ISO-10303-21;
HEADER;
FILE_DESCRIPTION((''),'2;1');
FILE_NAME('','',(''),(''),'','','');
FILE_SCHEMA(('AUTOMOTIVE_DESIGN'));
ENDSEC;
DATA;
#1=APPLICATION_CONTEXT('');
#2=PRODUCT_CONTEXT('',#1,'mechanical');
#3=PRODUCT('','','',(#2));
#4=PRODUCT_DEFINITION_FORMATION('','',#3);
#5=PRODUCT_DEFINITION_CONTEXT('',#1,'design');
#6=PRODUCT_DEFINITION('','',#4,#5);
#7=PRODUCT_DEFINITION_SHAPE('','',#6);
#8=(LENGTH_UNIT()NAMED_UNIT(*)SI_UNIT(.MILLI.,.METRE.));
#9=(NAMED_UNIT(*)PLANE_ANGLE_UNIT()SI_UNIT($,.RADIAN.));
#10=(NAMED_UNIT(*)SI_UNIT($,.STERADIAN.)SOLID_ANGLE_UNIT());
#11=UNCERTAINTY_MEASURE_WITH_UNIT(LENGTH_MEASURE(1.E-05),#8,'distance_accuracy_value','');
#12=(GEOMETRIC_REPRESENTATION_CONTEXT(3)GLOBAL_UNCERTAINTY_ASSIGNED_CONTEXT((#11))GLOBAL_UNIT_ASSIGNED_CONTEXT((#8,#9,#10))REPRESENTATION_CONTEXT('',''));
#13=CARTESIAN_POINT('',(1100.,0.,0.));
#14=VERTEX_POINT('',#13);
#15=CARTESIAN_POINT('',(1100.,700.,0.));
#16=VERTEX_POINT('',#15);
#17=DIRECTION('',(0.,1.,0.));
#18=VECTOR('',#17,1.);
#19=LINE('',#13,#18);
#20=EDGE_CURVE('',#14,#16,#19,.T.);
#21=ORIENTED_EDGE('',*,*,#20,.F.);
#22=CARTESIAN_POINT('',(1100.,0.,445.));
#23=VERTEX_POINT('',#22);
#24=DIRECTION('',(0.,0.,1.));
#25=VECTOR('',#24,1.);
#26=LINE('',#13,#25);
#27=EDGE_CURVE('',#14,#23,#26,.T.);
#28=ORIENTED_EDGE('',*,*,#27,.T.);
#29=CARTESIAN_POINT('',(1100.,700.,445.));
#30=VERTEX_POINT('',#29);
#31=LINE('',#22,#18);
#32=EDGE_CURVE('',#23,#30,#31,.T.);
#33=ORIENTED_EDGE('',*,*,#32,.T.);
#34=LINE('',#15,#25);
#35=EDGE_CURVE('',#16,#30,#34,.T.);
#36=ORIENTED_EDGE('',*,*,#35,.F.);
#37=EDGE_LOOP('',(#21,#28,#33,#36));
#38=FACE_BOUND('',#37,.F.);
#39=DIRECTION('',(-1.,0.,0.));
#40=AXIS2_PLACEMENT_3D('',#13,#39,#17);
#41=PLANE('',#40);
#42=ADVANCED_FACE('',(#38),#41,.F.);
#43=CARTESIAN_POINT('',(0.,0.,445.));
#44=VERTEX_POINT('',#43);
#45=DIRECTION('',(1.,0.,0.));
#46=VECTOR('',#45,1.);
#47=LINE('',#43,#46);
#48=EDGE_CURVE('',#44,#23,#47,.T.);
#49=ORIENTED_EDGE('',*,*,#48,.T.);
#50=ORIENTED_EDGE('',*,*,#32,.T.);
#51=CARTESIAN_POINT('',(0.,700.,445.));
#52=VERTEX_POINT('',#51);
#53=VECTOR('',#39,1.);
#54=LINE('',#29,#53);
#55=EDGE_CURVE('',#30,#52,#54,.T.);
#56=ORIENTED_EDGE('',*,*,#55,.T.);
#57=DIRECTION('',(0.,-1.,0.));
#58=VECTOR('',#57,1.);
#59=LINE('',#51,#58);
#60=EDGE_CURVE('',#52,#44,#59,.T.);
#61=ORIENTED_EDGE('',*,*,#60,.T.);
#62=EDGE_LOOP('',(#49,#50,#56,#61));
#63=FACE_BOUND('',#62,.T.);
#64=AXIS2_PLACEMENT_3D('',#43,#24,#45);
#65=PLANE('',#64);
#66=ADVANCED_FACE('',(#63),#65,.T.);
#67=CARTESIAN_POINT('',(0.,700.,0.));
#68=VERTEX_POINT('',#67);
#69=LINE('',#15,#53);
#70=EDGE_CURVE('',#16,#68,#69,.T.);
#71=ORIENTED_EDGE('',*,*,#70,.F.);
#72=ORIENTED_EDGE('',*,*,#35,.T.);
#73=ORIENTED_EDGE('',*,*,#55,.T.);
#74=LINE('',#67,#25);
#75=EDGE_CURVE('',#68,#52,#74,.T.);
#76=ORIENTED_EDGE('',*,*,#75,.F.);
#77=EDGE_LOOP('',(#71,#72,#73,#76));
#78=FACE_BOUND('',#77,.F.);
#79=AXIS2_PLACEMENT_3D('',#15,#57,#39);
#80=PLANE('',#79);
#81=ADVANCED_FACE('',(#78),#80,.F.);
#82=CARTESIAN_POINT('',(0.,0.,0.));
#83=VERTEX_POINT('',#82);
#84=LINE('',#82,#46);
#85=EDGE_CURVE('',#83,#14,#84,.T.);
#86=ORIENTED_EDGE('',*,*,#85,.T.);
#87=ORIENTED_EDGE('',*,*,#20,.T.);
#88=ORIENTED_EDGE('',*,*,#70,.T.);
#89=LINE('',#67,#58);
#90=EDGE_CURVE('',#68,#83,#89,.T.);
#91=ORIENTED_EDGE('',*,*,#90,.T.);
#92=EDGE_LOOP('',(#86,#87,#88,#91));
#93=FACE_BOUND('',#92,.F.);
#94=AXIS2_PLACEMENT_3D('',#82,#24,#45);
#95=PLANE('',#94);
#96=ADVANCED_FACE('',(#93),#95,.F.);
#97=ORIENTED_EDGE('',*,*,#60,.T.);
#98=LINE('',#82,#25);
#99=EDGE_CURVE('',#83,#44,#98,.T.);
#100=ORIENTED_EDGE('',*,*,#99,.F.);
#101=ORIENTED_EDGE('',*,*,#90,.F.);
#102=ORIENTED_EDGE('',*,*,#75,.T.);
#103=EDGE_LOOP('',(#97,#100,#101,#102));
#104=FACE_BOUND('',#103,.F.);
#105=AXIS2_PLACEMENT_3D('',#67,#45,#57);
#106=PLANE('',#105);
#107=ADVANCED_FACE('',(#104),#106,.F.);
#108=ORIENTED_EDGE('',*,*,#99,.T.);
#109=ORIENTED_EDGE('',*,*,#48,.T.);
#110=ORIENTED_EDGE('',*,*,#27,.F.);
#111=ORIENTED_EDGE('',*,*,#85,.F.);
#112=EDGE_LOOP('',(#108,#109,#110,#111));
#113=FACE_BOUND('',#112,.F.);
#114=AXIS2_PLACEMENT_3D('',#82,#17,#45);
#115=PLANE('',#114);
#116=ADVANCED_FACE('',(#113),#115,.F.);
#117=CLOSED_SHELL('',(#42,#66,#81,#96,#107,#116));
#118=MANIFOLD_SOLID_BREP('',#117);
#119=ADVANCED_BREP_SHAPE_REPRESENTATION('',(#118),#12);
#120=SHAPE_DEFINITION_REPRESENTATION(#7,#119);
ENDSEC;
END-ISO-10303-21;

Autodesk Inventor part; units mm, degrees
ref_plane "YZ Plane" through (0, 0, 0) normal (1, 0, 0) x (0, 1, 0)
ref_plane "XZ Plane" through (0, 0, 0) normal (0, 1, 0) x (-1, 0, 0)
ref_plane "XY Plane" through (0, 0, 0) normal (0, 0, 1) x (1, 0, 0)
ref_plane "Plano de trabajo1" through (0, 0, 0) normal (0, 0, 1) x (1, 0, 0)
sketch "Boceto1" plane through (0, 0, 0) normal (0, 0, 1) x (1, 0, 0)
  line L0 (0, 0) -> (1100, 0)
  line L1 (1100, 0) -> (1100, 700)
  line L2 (1100, 700) -> (0, 700)
  line L3 (0, 700) -> (0, 0)
  dimension "d0" = 1100
  dimension "d1" = 700
extrude "Extrusión1" add sketch "Boceto1" along normal blind 445
properties part number "Mesa Pequeña"
